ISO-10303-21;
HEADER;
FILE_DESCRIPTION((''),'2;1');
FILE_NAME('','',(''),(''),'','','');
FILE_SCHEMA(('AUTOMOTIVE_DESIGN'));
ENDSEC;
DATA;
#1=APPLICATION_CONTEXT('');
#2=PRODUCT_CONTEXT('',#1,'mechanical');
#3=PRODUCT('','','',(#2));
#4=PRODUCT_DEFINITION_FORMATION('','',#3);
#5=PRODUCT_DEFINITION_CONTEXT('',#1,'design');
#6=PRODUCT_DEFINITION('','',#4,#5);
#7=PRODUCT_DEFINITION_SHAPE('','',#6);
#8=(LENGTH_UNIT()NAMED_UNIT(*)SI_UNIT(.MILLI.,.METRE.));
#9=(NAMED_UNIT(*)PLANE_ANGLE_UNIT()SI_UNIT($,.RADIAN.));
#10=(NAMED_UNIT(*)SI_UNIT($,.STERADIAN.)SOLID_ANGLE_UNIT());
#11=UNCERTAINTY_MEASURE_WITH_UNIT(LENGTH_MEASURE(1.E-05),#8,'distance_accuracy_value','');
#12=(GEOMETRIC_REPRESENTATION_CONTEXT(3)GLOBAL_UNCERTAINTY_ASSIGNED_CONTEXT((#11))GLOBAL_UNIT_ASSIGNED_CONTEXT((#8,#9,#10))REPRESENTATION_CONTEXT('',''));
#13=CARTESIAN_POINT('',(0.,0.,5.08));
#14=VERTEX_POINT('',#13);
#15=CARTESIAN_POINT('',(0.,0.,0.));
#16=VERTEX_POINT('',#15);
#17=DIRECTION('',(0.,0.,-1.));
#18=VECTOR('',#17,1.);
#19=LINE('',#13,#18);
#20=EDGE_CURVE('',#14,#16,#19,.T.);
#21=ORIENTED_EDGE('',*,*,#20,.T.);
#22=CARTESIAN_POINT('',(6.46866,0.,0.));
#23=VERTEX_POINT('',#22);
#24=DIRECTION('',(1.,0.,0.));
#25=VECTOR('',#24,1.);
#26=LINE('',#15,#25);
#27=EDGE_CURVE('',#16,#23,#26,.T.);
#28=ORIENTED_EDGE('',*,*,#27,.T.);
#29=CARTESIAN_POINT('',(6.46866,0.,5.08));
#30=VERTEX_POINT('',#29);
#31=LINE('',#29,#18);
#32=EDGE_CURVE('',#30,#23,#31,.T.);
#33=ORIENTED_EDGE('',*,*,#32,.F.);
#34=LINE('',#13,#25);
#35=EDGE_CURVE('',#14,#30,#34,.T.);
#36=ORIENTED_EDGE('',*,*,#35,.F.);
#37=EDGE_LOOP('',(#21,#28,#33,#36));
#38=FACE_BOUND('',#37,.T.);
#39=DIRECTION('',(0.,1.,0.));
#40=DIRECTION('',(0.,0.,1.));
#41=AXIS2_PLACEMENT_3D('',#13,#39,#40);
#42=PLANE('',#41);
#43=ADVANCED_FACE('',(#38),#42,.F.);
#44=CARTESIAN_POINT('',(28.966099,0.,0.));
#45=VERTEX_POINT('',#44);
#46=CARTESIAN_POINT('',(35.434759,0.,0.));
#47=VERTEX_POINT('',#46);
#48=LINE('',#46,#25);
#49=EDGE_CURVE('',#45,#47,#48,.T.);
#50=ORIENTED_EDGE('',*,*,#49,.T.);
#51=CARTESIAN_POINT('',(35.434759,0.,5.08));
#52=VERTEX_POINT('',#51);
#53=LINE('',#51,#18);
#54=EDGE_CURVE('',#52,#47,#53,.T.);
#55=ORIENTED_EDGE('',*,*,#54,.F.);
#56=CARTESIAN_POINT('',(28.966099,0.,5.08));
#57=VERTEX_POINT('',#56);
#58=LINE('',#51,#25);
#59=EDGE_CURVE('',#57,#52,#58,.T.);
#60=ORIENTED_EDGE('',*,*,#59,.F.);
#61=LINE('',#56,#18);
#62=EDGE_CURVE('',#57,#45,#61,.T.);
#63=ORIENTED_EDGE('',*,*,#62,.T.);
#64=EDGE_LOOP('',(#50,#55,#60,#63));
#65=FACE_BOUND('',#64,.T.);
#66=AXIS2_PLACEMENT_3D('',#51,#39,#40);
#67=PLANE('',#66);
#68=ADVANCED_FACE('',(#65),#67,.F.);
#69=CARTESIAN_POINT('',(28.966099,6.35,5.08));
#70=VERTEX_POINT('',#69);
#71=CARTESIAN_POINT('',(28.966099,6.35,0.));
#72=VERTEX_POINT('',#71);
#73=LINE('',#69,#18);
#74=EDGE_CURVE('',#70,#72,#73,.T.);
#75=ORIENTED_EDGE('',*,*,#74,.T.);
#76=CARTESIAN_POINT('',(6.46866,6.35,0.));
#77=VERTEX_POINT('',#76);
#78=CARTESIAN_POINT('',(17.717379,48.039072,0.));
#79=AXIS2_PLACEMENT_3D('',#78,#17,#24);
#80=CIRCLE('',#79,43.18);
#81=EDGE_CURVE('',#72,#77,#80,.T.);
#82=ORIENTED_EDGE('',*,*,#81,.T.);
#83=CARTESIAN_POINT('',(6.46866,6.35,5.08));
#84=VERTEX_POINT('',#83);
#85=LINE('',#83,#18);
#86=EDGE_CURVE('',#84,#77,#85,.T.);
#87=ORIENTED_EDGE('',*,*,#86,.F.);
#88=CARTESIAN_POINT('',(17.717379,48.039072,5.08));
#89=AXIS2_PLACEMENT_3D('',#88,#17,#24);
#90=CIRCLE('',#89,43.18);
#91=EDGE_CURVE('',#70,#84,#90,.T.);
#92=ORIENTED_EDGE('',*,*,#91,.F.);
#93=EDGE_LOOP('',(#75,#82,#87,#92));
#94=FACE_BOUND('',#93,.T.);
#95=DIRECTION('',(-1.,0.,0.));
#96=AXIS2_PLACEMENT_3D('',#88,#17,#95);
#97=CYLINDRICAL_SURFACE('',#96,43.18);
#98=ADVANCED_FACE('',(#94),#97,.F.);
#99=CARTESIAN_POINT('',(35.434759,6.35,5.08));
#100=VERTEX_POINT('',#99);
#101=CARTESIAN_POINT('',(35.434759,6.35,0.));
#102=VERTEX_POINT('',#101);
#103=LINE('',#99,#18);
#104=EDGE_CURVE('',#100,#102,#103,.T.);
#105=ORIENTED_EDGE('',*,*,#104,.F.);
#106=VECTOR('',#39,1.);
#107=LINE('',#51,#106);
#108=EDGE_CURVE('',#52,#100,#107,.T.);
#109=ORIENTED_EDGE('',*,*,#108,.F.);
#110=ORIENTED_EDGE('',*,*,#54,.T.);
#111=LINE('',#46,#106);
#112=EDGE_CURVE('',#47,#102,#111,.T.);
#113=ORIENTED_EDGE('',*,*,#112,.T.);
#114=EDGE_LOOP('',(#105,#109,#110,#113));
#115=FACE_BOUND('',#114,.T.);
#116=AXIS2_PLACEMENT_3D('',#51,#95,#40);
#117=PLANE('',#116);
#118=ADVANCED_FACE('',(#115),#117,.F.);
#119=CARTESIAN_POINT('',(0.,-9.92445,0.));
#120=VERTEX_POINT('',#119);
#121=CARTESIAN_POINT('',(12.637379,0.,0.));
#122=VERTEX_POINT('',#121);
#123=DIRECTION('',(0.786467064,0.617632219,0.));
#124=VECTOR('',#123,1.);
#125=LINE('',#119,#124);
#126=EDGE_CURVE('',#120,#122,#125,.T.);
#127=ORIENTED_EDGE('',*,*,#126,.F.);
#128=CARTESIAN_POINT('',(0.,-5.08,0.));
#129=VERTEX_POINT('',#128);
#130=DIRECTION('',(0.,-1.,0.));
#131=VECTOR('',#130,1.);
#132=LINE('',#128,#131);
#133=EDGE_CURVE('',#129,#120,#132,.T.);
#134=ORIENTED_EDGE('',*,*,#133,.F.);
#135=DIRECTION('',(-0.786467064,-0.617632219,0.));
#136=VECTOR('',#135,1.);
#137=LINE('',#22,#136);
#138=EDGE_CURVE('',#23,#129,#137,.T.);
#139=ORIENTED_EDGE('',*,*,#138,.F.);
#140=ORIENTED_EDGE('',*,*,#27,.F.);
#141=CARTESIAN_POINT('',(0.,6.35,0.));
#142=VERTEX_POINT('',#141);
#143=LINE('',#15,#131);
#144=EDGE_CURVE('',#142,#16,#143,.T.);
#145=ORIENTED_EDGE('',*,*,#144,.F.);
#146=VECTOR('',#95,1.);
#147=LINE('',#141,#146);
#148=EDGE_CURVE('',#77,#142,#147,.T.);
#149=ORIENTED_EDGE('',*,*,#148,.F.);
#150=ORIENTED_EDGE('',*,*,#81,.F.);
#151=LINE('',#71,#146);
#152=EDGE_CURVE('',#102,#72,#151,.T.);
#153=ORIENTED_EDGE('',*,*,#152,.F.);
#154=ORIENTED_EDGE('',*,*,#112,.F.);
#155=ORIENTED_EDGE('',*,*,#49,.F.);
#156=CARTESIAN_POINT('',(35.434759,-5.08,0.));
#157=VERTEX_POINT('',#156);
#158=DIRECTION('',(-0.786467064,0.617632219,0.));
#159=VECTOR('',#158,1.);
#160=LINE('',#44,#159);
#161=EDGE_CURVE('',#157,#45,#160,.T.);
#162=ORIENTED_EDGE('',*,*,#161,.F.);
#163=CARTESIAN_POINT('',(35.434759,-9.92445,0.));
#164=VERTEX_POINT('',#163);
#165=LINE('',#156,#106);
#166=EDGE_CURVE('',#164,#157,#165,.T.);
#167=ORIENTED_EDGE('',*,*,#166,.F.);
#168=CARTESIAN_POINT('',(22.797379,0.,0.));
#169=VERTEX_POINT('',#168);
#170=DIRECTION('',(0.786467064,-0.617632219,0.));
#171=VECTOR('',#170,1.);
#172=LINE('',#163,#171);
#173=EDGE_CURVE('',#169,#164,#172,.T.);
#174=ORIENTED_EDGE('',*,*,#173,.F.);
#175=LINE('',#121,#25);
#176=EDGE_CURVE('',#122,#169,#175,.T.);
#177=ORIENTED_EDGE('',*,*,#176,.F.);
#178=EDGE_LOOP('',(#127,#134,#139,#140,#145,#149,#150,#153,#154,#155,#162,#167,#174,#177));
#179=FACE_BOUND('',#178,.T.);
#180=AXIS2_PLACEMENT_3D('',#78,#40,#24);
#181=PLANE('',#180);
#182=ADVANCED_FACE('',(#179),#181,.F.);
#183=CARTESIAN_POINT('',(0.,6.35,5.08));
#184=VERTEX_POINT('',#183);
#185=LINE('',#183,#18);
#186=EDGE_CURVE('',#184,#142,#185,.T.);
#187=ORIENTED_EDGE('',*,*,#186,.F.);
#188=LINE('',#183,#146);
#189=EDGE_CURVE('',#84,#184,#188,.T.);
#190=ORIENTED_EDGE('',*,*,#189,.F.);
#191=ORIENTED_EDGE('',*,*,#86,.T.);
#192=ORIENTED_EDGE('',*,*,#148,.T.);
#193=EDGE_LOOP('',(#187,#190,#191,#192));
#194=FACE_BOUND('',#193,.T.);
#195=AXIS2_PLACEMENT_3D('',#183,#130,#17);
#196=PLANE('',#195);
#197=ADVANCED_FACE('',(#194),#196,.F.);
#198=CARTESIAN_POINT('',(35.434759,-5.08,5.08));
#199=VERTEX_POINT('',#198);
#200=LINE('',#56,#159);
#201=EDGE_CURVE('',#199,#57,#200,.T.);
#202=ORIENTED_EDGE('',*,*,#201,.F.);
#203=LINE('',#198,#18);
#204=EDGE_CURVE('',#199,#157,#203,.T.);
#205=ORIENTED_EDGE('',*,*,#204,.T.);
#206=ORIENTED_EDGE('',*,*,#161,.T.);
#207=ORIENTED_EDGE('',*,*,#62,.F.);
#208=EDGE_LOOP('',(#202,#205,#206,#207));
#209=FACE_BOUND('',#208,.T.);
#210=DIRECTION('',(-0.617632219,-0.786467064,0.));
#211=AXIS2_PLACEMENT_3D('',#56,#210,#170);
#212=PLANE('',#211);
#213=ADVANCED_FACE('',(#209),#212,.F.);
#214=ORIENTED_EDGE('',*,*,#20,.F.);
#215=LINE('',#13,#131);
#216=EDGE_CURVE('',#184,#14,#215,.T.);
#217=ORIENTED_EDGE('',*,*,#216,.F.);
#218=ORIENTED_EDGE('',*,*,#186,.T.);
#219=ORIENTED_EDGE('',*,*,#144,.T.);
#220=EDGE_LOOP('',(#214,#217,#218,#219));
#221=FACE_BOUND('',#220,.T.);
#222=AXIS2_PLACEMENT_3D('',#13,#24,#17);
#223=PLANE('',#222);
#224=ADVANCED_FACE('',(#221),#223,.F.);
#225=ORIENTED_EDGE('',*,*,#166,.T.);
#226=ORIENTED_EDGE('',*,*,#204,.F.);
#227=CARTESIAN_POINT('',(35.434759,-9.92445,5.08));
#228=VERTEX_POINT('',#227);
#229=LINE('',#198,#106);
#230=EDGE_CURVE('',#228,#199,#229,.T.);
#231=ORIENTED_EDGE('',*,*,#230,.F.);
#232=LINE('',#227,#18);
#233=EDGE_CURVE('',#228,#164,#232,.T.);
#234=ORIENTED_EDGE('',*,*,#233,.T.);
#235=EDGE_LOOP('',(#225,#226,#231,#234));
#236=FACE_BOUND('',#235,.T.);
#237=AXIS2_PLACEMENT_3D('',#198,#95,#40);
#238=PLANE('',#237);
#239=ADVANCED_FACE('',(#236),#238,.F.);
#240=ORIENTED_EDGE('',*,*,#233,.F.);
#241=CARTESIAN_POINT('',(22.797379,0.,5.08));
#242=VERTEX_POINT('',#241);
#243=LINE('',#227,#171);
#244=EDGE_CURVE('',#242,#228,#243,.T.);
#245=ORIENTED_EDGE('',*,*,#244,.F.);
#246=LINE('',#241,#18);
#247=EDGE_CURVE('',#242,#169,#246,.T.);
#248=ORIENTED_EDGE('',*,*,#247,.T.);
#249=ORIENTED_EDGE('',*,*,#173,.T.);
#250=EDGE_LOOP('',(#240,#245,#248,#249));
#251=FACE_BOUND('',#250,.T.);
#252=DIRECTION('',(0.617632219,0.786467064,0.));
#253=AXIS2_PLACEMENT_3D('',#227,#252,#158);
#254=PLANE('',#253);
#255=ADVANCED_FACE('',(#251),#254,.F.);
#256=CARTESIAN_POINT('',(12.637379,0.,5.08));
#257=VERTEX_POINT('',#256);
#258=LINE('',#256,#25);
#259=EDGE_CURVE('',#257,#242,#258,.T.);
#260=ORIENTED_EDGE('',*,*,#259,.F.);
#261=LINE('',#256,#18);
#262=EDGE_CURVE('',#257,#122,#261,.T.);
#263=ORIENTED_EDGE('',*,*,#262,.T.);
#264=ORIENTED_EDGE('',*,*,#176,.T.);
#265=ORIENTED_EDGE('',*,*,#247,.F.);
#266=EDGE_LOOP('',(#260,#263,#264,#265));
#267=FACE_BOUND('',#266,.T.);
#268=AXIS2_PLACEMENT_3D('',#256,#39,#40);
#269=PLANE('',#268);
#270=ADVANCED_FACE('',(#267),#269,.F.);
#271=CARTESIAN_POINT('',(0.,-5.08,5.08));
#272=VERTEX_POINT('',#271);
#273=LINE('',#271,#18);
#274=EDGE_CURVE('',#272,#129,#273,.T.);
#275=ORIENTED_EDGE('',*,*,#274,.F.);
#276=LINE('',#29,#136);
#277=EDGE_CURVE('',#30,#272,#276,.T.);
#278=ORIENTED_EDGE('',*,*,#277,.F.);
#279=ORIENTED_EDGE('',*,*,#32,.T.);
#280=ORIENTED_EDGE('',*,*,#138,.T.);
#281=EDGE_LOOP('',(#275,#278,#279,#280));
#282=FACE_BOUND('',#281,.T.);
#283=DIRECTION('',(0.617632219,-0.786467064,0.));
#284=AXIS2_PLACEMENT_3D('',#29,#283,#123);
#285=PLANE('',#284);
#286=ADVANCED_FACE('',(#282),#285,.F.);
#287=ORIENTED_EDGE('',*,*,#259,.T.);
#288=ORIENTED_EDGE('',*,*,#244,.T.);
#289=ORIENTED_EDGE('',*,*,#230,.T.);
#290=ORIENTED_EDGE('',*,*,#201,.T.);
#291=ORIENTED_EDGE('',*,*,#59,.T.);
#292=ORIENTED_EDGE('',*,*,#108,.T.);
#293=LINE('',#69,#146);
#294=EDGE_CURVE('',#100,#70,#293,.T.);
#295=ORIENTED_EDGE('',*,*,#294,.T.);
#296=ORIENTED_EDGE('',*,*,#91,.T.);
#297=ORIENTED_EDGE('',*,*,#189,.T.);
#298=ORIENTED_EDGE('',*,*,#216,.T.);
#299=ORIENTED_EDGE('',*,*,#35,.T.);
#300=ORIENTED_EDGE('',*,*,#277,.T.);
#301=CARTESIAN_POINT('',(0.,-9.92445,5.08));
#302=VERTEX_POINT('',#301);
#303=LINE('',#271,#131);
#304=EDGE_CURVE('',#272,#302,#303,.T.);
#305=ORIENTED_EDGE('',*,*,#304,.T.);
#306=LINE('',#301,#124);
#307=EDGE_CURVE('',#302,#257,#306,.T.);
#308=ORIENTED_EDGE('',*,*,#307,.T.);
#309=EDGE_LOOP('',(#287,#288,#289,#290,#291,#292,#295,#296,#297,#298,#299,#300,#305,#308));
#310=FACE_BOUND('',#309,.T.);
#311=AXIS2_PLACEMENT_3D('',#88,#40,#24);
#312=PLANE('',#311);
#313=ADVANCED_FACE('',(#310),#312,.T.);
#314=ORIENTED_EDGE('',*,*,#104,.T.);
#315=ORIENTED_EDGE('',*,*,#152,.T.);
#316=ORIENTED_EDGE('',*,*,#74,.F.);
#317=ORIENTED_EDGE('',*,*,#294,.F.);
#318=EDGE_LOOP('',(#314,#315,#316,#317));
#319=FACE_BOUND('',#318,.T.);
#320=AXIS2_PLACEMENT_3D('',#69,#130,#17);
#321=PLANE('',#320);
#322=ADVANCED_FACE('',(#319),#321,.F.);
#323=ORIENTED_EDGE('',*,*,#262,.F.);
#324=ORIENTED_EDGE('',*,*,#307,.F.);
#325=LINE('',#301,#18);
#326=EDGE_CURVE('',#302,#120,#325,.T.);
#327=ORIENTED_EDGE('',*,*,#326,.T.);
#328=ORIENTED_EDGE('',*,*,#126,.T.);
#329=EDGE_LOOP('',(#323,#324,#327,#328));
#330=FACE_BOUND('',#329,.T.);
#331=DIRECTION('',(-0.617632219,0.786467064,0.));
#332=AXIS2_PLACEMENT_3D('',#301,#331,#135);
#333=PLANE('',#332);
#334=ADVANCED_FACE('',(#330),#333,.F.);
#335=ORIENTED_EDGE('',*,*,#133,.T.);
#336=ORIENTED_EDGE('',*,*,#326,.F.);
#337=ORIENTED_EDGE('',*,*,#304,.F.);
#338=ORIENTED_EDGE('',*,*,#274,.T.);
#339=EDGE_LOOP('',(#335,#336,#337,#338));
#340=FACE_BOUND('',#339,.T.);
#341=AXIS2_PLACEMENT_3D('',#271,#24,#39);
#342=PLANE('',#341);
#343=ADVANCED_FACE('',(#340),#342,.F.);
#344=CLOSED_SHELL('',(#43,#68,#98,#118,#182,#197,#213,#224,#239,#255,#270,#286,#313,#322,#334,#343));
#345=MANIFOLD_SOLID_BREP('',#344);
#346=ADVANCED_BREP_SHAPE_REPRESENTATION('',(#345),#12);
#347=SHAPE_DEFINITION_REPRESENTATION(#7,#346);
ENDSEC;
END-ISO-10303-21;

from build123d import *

# Parameters (mm, degrees)
BOSS_EXTRUDE1_DEPTH = 5.08


with BuildPart() as part:
    # Sketch1 → Boss-Extrude1 (new body)
    with BuildSketch(Plane.XY):
        with BuildLine():
            Line((6.468659765, 0), (0, -5.08))
            Line((0, -5.08), (0, -9.924449534))
            Line((0, -9.924449534), (12.637379407, 0))
            Line((12.637379407, 0), (22.797379407, 0))
            Line((22.797379407, 0), (35.434758815, -9.924449534))
            Line((35.434758815, -9.924449534), (35.434758815, -5.08))
            Line((35.434758815, -5.08), (28.96609905, 0))
            Line((28.96609905, 0), (35.434758815, 0))
            Line((35.434758815, 0), (35.434758815, 6.35))
            Line((35.434758815, 6.35), (28.96609905, 6.35))
            ThreePointArc((28.96609905, 6.35), (17.717379407, 4.859071786), (6.468659765, 6.35))
            Line((6.468659765, 6.35), (0, 6.35))
            Line((0, 6.35), (0, 0))
            Line((0, 0), (6.468659765, 0))
        make_face()
    extrude(amount=BOSS_EXTRUDE1_DEPTH)


solid = part.part
